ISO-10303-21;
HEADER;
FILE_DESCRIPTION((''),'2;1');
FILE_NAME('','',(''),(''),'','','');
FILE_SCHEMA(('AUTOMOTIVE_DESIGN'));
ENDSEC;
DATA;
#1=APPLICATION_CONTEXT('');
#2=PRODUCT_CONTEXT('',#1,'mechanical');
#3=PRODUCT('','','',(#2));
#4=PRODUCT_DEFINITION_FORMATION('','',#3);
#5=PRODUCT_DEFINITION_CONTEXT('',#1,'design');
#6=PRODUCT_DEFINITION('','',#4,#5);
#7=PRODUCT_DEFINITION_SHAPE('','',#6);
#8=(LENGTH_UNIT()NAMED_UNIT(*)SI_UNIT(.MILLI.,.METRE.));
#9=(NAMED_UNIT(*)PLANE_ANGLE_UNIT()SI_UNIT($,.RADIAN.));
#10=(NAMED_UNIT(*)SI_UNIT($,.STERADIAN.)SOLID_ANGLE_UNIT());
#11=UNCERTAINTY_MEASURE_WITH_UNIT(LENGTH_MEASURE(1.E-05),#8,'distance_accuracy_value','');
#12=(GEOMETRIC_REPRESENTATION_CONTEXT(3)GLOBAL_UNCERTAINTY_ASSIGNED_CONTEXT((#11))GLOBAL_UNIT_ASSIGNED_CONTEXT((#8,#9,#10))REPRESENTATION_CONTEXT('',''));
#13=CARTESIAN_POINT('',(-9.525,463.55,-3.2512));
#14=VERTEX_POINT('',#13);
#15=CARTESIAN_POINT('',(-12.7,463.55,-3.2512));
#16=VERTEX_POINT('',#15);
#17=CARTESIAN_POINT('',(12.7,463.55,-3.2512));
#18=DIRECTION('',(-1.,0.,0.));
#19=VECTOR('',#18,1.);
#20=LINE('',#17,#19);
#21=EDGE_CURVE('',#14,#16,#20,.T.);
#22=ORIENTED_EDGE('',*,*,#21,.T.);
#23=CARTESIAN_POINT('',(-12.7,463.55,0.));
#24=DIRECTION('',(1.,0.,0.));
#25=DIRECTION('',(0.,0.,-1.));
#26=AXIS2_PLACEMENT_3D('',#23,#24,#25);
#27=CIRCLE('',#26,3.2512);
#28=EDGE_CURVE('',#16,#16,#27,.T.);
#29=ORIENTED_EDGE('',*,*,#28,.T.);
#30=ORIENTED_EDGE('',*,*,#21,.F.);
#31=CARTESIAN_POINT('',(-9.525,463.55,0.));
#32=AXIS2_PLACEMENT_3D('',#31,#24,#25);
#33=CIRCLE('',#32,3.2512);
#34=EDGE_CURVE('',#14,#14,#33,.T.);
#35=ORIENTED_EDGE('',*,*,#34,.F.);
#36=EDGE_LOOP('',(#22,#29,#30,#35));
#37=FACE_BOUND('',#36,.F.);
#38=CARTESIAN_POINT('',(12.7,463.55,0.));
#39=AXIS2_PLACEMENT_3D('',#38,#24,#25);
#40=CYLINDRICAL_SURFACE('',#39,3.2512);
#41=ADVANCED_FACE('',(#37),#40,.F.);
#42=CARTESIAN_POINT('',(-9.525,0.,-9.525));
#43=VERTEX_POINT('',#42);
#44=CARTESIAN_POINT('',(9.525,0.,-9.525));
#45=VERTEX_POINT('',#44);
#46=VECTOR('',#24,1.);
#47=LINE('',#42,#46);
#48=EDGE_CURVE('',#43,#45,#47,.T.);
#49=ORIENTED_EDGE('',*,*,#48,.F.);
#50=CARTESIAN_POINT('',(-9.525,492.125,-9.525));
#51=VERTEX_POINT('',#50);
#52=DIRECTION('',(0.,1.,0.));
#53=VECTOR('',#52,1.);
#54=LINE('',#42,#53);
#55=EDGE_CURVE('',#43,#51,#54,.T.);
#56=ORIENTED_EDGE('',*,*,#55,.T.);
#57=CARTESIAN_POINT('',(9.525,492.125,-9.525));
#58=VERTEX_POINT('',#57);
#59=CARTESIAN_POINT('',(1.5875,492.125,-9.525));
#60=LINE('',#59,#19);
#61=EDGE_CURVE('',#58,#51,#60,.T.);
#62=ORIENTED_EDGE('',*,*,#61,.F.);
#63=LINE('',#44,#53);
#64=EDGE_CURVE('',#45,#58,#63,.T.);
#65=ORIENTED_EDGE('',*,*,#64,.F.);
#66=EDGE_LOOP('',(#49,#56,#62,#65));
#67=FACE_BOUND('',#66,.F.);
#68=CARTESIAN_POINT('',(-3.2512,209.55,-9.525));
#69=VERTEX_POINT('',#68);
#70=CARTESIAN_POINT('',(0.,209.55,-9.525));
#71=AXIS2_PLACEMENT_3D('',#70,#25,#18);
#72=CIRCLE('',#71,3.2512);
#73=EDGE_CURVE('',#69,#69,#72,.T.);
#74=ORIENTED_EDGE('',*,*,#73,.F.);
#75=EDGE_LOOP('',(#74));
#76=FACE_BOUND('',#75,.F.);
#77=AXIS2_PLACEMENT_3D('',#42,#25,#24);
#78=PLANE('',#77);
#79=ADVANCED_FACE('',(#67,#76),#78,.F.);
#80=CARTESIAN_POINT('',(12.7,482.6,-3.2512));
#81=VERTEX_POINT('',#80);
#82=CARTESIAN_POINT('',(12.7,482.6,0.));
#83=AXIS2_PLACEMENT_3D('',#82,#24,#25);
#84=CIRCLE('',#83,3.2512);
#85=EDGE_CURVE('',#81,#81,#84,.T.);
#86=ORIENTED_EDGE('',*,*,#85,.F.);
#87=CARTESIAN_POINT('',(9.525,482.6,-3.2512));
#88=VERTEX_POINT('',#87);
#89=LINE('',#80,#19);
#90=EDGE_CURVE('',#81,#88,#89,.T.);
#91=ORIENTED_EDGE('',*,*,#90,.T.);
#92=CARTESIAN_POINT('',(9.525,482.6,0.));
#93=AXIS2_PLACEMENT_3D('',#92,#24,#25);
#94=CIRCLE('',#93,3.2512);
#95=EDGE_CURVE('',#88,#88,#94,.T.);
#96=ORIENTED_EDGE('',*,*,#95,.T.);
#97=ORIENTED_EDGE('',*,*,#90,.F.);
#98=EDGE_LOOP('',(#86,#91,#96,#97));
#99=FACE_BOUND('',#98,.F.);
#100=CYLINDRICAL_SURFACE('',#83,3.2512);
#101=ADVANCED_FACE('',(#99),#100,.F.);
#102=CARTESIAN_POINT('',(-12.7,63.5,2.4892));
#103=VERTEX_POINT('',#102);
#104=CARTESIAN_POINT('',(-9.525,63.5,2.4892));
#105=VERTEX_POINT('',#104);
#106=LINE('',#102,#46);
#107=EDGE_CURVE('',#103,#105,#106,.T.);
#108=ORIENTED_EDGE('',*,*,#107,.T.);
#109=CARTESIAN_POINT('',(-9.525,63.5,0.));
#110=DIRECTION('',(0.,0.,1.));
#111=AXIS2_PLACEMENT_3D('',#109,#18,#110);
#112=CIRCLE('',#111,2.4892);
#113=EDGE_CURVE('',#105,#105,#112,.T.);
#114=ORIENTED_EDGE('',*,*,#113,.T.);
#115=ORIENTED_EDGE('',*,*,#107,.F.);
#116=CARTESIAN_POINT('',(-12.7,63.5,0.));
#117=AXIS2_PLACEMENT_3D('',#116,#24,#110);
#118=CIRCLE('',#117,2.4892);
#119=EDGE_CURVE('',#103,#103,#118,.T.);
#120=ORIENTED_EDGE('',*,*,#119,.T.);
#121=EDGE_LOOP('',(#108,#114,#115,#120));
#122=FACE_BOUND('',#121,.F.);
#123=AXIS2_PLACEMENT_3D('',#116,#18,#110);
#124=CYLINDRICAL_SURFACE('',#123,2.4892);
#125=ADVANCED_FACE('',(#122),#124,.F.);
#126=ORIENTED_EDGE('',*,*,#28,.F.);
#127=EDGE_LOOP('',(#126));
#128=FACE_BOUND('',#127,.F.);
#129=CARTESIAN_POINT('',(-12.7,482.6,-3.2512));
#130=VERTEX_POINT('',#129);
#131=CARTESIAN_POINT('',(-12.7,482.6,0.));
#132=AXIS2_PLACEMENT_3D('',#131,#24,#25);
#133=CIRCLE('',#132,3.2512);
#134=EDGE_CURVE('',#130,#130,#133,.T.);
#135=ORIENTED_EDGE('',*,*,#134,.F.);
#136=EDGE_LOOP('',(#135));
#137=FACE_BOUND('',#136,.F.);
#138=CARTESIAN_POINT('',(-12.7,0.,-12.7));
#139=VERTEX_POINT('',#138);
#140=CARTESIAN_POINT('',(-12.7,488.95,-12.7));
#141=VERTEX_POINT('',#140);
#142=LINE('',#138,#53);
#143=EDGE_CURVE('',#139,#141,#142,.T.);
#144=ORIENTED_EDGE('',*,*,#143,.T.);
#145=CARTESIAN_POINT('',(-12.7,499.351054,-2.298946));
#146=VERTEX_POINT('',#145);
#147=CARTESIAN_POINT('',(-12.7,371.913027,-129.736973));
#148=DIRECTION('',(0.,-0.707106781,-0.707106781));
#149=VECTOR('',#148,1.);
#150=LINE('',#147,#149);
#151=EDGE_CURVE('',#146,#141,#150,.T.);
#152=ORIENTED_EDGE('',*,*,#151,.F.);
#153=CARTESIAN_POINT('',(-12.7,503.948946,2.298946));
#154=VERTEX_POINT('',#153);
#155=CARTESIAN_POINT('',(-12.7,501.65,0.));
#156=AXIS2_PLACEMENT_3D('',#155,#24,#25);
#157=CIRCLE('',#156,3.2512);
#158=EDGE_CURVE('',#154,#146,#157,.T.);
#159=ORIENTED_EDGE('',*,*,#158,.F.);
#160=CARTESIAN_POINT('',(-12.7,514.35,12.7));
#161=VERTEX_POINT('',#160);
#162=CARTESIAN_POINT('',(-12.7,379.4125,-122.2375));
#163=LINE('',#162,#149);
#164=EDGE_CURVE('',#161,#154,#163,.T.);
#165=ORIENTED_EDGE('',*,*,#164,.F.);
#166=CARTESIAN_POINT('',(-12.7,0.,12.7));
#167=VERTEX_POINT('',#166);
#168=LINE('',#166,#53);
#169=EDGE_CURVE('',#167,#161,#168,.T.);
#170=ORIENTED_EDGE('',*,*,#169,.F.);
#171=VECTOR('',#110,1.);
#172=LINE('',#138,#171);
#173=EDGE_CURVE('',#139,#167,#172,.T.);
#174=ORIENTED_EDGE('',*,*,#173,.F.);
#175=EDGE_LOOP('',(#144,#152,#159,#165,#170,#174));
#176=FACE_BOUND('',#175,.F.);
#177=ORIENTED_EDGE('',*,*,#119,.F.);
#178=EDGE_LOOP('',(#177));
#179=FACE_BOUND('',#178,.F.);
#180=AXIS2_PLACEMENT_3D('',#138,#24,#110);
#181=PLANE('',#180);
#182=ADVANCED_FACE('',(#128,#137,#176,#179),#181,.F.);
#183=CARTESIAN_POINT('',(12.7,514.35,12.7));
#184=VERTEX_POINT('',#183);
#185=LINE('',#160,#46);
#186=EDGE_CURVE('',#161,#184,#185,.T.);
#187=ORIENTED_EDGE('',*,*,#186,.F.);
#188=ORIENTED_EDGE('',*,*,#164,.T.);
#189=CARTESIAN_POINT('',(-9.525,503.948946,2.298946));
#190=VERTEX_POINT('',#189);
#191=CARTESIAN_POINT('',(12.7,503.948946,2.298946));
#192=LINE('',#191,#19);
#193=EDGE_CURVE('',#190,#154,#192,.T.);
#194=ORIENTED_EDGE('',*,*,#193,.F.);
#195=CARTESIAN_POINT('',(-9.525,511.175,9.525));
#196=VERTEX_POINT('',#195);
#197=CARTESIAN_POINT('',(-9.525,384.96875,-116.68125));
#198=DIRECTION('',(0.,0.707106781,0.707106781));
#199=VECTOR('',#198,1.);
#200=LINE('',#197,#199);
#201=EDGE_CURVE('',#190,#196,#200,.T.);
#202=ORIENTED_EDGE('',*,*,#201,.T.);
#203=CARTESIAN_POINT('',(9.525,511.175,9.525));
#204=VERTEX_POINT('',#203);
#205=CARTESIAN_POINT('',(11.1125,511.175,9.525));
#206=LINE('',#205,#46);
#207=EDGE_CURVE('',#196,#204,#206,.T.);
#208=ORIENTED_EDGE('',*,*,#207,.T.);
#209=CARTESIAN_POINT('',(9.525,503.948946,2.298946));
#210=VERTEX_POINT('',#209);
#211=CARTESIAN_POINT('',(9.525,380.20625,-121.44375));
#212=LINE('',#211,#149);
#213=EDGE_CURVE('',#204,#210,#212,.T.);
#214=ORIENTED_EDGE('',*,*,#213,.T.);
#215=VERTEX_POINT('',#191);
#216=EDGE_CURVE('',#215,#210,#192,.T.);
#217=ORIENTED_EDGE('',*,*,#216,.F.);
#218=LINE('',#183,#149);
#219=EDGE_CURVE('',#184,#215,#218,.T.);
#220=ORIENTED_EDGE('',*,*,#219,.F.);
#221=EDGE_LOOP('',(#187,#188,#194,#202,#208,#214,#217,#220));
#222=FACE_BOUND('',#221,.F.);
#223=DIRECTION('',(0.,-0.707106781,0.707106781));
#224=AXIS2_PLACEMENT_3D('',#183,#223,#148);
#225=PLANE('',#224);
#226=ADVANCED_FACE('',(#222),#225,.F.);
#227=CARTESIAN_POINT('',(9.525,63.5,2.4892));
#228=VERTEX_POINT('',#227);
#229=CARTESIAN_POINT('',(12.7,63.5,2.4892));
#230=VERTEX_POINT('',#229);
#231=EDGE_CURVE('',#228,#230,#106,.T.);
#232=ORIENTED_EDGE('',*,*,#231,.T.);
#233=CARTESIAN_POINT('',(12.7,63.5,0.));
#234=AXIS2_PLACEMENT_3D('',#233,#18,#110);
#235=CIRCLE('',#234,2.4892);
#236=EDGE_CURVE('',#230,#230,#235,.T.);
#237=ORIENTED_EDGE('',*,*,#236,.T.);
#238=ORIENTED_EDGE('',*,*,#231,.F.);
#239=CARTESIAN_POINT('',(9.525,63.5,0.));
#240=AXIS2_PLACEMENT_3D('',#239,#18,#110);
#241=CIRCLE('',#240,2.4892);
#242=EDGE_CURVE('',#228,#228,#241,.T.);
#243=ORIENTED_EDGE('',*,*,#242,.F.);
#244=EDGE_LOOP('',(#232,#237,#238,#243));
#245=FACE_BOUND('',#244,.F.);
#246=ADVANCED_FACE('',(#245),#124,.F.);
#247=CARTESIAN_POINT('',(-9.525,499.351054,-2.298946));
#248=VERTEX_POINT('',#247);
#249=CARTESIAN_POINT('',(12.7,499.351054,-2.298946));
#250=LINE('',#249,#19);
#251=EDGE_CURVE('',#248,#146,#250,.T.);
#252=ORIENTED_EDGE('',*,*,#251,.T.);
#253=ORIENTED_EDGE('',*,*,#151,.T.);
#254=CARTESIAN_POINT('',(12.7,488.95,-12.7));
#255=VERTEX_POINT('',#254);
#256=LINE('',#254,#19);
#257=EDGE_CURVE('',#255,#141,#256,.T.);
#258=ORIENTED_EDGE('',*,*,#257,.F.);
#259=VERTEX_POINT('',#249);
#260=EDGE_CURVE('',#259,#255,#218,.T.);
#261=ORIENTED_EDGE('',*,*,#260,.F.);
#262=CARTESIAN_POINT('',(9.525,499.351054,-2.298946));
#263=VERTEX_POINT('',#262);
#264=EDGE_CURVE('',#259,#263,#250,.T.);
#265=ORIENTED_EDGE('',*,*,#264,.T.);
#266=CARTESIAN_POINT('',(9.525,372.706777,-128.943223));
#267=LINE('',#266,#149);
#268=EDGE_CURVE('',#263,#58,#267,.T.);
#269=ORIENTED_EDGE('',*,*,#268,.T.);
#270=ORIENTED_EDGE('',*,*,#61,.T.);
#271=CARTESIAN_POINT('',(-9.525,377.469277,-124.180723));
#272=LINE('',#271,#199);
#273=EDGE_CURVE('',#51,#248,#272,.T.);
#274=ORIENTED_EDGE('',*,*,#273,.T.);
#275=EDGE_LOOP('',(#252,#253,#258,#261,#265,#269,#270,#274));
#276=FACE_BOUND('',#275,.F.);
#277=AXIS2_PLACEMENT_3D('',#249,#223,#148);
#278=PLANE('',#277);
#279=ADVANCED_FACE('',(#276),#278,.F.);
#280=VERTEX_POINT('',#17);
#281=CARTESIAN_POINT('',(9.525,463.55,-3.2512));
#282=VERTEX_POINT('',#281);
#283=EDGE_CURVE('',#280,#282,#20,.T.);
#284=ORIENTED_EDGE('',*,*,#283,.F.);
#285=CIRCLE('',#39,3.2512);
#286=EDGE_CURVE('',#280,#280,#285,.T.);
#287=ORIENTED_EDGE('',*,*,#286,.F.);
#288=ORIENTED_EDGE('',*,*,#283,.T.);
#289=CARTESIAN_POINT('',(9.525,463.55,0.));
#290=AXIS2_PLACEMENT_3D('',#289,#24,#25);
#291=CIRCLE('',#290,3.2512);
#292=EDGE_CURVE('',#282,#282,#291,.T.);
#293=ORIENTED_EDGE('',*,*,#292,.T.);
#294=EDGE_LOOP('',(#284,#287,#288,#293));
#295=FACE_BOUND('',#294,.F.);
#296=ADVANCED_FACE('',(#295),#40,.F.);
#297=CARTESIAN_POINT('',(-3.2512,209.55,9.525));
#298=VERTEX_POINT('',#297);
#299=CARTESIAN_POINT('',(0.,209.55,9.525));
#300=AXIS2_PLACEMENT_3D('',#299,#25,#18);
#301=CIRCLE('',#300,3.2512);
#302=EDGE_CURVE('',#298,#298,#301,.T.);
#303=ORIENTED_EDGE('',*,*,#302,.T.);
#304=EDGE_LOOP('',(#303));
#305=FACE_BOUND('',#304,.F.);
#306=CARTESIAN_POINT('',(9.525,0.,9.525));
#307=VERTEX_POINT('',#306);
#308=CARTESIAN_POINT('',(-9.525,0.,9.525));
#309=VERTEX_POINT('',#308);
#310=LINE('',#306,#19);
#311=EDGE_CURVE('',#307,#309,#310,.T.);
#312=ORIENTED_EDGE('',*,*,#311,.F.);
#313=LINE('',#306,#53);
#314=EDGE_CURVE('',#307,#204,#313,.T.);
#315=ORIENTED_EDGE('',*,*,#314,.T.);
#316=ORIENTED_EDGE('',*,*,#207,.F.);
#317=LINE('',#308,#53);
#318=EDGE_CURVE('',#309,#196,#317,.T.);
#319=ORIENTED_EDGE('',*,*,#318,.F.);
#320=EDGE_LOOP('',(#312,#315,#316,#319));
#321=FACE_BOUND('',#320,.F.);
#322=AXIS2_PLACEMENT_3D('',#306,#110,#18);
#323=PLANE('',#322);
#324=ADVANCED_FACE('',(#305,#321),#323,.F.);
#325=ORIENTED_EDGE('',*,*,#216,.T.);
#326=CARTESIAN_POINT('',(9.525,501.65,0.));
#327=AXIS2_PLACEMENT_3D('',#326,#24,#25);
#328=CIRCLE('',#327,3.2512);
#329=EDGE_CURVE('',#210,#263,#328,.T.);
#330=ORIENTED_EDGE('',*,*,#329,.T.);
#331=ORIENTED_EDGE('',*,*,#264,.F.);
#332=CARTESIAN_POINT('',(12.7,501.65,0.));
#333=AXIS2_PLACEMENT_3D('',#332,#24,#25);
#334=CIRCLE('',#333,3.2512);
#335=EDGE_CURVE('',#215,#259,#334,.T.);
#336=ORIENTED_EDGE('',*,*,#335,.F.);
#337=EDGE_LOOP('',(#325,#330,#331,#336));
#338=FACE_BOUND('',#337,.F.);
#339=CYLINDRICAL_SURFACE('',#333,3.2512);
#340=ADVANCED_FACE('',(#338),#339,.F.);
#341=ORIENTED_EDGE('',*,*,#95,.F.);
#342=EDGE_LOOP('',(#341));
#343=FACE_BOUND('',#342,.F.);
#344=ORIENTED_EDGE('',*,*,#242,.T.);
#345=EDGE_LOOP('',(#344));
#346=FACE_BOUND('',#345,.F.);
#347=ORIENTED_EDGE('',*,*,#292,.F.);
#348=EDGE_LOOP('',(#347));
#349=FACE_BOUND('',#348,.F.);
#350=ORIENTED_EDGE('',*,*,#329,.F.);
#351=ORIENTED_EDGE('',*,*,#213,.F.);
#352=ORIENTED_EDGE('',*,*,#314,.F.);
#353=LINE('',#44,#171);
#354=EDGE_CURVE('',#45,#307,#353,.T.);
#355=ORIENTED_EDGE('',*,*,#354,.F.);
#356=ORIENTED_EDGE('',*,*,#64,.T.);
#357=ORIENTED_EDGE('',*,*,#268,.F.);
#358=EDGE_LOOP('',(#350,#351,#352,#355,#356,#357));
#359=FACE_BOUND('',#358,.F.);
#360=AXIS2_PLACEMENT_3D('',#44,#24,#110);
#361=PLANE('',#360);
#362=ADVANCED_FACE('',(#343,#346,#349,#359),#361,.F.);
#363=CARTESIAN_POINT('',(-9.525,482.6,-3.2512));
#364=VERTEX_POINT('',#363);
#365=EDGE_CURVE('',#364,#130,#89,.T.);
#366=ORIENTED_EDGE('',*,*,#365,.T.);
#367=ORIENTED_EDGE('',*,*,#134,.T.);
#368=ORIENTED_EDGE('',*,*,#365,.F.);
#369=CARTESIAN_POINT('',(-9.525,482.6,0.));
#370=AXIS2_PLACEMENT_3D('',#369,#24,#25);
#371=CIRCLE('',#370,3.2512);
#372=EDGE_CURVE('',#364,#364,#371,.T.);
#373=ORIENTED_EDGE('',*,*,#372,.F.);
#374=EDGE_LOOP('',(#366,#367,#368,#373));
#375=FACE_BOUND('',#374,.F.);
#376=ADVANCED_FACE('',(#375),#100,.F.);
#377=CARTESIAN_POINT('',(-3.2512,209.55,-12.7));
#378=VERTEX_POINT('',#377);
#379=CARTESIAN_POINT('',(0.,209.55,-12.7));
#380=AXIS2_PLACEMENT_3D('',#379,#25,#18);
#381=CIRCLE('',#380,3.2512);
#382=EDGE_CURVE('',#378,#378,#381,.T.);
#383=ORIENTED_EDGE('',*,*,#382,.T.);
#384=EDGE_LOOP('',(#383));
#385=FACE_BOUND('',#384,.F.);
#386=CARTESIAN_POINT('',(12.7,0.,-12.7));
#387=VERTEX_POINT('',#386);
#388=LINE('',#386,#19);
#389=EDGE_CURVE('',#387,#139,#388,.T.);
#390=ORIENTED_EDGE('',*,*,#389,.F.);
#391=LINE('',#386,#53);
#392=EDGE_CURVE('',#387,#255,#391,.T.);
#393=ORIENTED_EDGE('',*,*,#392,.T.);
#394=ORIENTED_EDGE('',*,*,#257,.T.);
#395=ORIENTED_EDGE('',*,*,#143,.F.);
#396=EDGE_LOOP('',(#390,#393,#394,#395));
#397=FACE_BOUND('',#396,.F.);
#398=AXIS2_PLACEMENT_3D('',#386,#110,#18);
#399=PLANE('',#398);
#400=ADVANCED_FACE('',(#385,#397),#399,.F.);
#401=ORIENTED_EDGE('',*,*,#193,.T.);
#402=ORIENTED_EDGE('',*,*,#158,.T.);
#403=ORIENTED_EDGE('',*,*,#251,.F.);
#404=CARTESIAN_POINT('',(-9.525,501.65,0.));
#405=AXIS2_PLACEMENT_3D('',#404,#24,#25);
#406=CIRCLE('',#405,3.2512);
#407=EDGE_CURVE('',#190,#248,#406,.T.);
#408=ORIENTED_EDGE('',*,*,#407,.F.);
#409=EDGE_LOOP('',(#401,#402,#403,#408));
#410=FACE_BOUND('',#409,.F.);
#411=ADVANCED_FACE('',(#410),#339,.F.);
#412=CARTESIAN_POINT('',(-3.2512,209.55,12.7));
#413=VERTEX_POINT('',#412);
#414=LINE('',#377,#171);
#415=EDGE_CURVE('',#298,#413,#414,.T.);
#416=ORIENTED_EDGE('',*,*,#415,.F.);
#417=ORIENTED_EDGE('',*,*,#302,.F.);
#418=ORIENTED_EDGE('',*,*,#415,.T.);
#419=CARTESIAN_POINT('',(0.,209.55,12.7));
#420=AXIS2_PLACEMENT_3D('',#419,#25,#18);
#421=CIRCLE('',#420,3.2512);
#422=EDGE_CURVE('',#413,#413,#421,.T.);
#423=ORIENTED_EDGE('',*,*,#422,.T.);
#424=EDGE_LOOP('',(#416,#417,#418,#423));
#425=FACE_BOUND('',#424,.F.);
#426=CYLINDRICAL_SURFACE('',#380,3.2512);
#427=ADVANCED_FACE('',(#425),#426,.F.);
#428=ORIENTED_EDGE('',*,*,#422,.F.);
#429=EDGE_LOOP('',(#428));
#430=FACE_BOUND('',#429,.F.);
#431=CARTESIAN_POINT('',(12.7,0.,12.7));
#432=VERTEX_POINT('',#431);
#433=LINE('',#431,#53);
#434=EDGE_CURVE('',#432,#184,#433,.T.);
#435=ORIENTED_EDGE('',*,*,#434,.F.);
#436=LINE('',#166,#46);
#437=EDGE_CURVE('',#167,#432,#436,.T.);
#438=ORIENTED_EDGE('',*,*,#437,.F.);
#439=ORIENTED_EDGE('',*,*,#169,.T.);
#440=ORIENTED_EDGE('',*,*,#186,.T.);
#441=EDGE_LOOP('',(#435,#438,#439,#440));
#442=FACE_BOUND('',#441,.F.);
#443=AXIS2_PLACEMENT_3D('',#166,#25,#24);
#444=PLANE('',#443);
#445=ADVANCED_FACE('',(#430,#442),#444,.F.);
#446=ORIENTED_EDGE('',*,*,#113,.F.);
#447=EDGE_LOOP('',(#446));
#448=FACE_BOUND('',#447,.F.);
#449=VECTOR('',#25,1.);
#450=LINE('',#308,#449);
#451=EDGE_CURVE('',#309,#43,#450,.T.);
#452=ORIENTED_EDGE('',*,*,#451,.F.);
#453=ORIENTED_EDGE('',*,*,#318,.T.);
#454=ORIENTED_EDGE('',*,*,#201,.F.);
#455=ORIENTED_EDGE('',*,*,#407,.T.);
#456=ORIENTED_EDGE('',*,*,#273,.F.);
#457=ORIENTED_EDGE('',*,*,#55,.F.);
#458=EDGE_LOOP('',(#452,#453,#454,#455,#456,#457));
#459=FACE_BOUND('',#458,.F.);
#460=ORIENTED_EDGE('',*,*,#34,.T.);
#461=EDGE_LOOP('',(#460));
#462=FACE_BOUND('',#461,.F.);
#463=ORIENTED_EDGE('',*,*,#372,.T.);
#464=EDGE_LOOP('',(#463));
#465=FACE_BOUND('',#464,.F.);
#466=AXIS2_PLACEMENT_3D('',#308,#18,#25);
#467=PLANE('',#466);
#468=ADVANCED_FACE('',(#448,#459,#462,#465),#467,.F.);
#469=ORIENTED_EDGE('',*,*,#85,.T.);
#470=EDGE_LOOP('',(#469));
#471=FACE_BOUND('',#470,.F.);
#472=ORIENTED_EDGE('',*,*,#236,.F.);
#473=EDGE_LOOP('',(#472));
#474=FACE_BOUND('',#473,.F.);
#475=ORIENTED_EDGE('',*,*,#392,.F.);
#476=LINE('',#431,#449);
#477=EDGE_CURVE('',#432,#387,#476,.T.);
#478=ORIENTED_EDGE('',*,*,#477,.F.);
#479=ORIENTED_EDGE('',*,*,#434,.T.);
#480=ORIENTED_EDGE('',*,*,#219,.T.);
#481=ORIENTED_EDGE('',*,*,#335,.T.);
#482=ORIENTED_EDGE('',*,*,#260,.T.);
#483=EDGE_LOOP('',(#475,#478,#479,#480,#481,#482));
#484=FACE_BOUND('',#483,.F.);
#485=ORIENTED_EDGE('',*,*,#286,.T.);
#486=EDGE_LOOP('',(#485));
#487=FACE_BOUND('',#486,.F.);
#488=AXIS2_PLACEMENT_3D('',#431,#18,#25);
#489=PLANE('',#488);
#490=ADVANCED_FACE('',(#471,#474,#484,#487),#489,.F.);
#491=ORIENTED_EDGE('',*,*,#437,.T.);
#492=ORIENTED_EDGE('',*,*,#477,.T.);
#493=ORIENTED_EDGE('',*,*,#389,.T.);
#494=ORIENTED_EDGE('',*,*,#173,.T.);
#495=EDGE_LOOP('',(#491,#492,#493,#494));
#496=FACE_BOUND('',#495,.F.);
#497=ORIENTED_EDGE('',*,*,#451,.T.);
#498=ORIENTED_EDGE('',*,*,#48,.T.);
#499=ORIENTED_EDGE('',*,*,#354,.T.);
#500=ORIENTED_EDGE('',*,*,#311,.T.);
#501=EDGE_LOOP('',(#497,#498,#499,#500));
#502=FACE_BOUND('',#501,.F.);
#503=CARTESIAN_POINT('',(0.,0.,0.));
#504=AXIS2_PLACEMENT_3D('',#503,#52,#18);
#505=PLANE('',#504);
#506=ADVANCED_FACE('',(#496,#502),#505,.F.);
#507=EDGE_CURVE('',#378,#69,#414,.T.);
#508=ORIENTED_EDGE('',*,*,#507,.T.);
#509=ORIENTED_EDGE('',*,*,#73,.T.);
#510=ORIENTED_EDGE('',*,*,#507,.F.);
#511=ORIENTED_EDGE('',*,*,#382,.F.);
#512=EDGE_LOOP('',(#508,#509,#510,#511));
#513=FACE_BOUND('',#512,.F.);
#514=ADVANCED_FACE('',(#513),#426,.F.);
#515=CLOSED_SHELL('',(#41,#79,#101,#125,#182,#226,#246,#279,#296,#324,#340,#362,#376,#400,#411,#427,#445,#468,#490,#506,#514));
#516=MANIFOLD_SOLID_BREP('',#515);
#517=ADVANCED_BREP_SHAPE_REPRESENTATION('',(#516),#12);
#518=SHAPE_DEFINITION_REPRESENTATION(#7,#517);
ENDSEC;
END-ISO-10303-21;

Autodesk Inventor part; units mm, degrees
ref_plane "YZ Plane" through (0, 0, 0) normal (1, 0, 0) x (0, 1, 0)
ref_plane "XZ Plane" through (0, 0, 0) normal (0, 1, 0) x (-1, 0, 0)
ref_plane "XY Plane" through (0, 0, 0) normal (0, 0, 1) x (1, 0, 0)
sketch "Sketch1" plane through (0, 0, 0) normal (0, 1, 0) x (-1, 0, 0)
  line L0 (-12.7, -12.7) -> (12.7, -12.7)
  line L1 (12.7, -12.7) -> (12.7, 12.7)
  line L2 (12.7, 12.7) -> (-12.7, 12.7)
  line L3 (-12.7, 12.7) -> (-12.7, -12.7)
  line L4 (-12.7, -12.7) -> (12.7, 12.7) construction
  line L5 (12.7, -12.7) -> (-12.7, 12.7) construction
  line L6 (9.525, 9.525) -> (9.525, -9.525)
  line L7 (9.525, -9.525) -> (-9.525, -9.525)
  line L8 (-9.525, -9.525) -> (-9.525, 9.525)
  line L9 (-9.525, 9.525) -> (9.525, 9.525)
  point P0 (0, 0)
  dimension "d0" = 25.4
  dimension "d1" = 25.4
  dimension "d2" = 3.175
extrude "Extrusion1" add sketch "Sketch1" along normal blind 514.35
sketch "Sketch2" plane through (12.7, 0, 12.7) normal (1, 0, 0) x (0, 0, -1)
  line L0 (25.4, 514.35) -> (0, 514.35) projected
  line L1 (0, 514.35) -> (25.4, 488.95)
  line L2 (25.4, 0) -> (25.4, 514.35) projected
  circle A0 centre (12.7, 482.6) radius 3.2512
  line L3 (0, 514.35) -> (25.4, 514.35) projected
  circle A1 centre (12.7, 463.55) radius 3.2512
  circle A2 centre (12.7, 501.65) radius 3.2512
  point P0 (12.7, 0)
  point P1 (12.7, 514.35)
  point P2 (12.7, 514.35)
  point P3 (14.9989, 499.3511)
  point P4 (10.4011, 503.9489)
  dimension "d5" = 25.4
  dimension "d6" = 6.5024
  dimension "d7" = 31.75
  dimension "d8" = 19.05
extrude "Extrusion2" cut sketch "Sketch2" against normal blind 522.224
sketch "Sketch5" plane through (12.7, 0, -12.7) normal (0, 0, -1) x (-1, 0, 0)
  circle A0 centre (12.7, 209.55) radius 3.2512
  line L0 (0, 0) -> (25.4, 0) projected
  line L1 (25.4, 514.35) -> (0, 514.35) projected
  point P0 (12.7, 0)
  point P1 (12.7, 0)
  point P2 (12.7, 514.35)
  dimension "d11" = 6.5024
  dimension "d15" = 304.8
extrude "Extrusion3" cut sketch "Sketch5" against normal blind 25.4
sketch "Sketch6" plane through (-12.7, 0, -12.7) normal (-1, 0, 0) x (0, 0, 1)
  line L0 (12.7, 0) -> (12.7, 63.5)
  circle A0 centre (12.7, 63.5) radius 2.4892
  dimension "d16" = 63.5
  dimension "d17" = 4.9784
extrude "Extrusion4" cut sketch "Sketch6" against normal blind 25.4
properties part number "STRU_002_BilletPole_20.56in_Angled" material "Aluminum 6061"
